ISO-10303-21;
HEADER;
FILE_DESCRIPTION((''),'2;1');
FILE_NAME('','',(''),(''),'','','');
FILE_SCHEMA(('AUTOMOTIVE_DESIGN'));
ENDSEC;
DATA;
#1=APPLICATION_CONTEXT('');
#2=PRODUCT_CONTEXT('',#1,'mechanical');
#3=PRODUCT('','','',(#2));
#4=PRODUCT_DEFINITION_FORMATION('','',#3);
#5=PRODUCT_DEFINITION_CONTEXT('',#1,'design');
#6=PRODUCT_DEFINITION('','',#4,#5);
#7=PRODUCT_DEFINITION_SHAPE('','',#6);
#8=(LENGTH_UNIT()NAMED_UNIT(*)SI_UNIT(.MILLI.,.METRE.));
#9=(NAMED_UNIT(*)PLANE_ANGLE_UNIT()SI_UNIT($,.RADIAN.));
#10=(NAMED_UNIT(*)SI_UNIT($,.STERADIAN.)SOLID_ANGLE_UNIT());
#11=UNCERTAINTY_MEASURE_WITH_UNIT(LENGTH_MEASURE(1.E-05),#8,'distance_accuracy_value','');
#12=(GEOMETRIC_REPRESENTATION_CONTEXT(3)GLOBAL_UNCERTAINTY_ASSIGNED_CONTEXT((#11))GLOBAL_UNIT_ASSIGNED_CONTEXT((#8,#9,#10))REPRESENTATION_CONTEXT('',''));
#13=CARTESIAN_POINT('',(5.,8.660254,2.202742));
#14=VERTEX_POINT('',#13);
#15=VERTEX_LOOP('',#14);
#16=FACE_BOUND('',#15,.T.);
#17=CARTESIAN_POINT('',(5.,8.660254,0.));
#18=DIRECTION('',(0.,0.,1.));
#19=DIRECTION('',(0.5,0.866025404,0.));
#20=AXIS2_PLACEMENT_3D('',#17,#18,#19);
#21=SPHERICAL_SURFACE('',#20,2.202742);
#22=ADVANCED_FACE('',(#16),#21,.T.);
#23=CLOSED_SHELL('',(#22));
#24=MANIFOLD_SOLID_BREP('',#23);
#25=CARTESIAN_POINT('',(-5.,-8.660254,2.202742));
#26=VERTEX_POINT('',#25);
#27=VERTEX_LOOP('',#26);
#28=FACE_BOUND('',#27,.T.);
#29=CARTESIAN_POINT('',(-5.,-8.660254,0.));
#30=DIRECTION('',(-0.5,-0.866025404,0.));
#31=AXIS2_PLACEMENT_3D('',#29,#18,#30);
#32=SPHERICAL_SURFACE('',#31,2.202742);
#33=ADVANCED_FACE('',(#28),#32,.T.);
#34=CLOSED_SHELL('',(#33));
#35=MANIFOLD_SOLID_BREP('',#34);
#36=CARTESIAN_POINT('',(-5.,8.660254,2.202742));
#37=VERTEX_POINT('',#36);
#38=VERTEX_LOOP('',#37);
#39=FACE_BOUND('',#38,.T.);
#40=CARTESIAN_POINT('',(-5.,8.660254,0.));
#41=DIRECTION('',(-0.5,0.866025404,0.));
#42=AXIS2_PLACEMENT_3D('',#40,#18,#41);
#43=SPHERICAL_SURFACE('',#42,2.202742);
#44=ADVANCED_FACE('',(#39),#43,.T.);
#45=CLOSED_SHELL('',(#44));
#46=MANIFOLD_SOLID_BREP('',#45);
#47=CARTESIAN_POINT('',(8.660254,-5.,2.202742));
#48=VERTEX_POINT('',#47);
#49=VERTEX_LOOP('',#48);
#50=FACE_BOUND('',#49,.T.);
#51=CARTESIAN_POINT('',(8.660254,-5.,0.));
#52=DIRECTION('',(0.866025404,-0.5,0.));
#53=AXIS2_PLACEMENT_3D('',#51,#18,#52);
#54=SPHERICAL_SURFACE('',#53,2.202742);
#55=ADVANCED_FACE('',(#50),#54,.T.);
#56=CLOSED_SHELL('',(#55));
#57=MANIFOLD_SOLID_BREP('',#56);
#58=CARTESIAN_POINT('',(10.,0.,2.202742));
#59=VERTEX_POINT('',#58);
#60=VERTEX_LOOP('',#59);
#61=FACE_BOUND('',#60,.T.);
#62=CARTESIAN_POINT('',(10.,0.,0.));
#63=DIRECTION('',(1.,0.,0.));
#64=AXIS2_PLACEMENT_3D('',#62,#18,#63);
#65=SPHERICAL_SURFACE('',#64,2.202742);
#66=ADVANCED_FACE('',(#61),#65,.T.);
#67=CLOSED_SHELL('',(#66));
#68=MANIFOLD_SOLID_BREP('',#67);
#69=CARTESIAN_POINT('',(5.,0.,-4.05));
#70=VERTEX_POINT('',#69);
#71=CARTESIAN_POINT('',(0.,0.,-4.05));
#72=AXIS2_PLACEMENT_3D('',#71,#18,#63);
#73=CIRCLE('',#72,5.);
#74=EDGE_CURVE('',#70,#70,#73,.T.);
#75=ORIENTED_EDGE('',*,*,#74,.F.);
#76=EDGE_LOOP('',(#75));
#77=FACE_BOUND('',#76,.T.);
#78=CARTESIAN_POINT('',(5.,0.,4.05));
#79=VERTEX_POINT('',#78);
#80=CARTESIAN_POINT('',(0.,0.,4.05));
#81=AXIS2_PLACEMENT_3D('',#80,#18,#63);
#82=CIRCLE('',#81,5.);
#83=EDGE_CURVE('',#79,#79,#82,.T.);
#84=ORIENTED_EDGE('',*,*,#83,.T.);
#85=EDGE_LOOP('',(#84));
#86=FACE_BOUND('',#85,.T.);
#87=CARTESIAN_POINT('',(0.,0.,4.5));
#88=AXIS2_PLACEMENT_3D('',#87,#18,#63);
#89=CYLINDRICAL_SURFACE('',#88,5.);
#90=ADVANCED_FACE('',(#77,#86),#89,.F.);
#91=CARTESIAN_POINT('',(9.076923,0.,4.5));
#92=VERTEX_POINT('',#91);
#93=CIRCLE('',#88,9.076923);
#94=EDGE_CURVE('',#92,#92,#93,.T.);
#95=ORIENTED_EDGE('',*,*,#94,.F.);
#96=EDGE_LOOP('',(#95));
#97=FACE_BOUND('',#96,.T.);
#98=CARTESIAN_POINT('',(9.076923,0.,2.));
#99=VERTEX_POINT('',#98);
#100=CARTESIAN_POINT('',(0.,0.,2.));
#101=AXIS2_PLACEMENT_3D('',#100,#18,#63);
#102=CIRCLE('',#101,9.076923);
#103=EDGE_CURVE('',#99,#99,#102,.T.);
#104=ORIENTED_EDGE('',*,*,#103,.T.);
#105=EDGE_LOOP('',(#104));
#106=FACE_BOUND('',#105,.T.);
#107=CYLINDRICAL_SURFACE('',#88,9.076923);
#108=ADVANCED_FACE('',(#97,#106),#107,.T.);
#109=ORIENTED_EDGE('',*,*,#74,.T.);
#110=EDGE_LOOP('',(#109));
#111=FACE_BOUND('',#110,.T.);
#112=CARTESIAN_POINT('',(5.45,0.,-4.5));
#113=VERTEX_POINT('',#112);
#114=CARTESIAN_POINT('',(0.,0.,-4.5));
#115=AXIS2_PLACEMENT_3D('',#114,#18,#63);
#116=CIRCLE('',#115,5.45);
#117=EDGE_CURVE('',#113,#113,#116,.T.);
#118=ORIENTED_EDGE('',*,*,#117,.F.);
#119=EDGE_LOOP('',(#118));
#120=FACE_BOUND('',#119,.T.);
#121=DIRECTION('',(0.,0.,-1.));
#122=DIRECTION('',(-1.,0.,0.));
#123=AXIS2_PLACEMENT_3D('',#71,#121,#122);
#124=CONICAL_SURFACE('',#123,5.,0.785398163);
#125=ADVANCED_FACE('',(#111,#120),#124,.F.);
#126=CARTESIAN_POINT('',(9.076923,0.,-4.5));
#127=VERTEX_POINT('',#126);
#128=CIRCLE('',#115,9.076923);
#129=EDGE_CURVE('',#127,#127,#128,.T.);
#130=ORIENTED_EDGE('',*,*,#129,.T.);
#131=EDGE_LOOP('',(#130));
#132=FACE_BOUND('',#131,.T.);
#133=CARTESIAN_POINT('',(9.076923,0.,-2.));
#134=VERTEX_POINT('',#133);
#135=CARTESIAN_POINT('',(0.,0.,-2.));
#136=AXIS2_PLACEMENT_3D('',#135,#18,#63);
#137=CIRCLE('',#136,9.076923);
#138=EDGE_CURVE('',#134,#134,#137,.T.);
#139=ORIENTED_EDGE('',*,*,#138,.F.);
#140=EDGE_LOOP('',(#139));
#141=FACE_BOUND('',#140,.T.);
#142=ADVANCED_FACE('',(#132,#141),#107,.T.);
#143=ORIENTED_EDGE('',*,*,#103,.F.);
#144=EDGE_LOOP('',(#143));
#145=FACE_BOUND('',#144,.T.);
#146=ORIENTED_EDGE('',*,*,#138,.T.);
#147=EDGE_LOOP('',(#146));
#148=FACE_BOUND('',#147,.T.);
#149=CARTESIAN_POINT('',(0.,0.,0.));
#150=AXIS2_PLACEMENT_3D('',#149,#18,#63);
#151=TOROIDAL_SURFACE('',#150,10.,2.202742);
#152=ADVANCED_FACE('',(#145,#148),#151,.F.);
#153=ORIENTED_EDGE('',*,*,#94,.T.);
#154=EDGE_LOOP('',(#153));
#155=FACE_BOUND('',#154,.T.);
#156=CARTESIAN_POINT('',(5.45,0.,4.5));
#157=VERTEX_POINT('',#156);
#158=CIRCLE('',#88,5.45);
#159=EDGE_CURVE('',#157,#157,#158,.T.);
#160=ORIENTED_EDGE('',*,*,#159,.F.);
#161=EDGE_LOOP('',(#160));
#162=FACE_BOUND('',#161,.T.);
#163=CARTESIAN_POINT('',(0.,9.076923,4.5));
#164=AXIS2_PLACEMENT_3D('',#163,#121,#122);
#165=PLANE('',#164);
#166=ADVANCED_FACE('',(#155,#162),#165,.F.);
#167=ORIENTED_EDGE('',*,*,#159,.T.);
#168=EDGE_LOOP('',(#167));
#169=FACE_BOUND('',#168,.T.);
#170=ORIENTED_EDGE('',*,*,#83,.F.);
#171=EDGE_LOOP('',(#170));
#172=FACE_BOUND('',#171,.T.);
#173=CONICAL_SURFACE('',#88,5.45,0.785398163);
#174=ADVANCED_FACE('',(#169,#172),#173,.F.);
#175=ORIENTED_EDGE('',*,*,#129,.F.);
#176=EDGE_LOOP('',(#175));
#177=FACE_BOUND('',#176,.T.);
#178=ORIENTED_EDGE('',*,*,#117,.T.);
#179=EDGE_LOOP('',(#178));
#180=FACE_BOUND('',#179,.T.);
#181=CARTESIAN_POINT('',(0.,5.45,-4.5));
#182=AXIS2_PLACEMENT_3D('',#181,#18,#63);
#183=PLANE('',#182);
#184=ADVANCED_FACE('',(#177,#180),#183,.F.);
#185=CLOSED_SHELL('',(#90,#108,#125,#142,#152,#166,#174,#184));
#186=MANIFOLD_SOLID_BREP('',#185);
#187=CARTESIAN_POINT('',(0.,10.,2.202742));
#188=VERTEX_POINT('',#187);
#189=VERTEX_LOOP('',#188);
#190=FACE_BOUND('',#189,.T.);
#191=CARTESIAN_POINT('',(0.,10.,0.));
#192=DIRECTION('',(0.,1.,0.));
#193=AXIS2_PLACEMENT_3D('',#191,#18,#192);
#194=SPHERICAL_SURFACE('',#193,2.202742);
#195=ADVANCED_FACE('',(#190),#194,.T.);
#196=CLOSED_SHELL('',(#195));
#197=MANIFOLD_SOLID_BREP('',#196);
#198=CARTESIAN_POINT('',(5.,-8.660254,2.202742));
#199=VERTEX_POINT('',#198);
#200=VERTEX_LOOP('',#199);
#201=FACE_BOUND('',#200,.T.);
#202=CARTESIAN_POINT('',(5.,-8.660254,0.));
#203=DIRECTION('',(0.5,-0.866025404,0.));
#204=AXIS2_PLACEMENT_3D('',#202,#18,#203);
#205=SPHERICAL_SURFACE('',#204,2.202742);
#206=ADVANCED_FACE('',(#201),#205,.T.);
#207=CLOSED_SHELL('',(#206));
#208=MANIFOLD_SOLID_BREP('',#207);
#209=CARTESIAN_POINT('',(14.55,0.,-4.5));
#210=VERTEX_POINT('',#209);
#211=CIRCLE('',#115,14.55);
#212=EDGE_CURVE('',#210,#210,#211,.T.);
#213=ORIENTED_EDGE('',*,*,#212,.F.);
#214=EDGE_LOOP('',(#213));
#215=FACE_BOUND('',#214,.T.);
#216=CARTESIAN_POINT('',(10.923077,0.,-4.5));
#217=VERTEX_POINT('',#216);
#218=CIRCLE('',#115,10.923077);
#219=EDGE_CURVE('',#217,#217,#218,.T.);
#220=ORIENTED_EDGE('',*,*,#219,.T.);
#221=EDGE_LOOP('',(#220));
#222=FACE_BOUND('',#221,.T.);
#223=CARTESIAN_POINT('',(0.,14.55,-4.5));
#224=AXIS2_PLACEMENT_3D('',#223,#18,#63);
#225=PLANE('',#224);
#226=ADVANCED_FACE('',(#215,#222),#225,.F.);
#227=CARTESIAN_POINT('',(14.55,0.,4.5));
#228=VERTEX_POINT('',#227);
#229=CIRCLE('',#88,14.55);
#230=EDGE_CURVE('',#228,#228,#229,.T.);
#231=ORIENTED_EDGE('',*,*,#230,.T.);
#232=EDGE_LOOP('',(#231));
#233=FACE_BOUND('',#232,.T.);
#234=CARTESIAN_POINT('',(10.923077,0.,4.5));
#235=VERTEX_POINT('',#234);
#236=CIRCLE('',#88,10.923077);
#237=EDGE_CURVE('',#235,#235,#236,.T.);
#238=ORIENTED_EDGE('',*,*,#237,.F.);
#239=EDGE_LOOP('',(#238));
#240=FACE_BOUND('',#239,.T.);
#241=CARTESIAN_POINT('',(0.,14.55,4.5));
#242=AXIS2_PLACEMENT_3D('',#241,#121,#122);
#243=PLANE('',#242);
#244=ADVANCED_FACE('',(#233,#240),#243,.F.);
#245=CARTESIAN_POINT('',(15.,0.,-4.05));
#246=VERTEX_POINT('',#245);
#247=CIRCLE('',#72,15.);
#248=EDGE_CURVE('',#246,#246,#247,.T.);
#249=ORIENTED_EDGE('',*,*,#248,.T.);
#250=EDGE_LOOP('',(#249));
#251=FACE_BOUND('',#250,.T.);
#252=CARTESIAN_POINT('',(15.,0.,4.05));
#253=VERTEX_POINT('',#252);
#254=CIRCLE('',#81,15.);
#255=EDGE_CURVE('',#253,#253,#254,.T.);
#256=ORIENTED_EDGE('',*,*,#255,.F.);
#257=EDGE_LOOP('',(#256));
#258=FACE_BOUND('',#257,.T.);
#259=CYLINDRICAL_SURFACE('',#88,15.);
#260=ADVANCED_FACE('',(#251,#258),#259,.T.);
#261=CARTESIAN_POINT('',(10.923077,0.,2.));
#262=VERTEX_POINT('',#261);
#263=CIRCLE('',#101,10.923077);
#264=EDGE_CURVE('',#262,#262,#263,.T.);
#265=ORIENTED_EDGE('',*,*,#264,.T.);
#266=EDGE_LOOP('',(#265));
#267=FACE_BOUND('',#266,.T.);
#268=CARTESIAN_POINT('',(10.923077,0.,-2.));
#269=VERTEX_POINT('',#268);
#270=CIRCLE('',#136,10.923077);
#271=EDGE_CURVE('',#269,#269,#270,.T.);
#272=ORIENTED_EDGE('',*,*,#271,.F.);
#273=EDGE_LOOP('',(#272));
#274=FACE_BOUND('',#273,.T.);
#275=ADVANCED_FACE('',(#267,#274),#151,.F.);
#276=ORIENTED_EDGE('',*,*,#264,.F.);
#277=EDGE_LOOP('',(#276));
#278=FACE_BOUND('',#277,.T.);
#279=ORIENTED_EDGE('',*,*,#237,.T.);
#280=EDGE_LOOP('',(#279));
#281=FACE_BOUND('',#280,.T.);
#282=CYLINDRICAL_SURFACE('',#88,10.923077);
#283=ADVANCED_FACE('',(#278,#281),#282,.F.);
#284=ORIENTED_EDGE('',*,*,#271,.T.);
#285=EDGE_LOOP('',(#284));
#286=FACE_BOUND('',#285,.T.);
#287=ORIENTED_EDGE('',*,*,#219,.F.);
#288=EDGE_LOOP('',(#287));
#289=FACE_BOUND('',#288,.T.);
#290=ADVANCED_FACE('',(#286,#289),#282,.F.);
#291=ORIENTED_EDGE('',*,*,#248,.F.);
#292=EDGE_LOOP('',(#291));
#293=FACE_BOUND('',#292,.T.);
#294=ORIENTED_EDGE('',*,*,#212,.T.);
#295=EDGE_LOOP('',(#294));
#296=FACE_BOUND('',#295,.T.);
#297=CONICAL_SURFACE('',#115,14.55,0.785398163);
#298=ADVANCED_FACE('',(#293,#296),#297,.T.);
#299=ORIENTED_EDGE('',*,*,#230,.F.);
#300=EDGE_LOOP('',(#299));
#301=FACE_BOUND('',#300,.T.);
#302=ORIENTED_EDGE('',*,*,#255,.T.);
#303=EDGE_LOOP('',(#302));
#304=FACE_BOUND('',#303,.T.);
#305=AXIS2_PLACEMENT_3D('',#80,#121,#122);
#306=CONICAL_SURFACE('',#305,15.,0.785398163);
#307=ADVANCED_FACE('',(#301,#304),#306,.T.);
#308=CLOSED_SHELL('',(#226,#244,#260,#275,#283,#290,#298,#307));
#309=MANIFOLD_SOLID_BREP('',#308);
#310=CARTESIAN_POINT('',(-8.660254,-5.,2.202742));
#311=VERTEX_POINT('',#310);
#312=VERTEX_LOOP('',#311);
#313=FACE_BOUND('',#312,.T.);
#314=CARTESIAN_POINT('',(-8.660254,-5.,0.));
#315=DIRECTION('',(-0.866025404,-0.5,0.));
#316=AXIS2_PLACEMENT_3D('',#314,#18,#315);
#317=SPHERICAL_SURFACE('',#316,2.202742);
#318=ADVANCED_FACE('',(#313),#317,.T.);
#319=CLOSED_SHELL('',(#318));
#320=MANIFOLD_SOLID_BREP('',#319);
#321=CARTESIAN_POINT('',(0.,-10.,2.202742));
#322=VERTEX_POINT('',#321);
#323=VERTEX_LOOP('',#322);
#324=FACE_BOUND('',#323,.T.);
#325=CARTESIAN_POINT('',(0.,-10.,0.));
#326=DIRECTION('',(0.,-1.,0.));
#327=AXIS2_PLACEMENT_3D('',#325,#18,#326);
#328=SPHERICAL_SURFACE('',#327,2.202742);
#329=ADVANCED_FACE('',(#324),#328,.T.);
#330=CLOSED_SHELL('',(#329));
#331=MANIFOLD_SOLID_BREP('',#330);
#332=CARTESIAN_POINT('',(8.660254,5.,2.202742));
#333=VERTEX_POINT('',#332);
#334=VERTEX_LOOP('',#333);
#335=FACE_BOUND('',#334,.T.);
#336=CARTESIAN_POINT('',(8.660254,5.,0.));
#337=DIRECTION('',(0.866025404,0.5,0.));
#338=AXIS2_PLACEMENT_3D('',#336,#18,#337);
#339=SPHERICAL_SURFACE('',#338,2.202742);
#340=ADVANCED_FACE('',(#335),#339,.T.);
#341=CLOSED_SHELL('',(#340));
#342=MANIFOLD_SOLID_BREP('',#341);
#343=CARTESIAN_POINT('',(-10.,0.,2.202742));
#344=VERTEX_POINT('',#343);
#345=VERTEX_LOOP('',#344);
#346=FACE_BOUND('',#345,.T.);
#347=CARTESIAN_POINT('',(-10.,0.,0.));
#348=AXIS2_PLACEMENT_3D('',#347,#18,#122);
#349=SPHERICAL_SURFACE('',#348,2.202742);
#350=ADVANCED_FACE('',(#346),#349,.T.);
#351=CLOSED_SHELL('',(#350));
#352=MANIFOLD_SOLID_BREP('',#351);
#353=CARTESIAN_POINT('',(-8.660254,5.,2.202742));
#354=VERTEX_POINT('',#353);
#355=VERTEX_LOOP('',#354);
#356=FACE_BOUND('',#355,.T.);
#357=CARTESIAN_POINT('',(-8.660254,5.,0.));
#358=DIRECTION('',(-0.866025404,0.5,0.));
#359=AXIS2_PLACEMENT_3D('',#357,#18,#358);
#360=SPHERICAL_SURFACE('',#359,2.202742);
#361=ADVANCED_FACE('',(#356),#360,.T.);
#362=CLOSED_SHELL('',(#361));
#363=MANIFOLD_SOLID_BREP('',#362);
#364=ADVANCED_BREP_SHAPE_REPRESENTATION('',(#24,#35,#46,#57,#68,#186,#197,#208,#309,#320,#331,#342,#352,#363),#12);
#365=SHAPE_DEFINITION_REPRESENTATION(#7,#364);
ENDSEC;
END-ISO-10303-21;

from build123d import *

# Parameters (mm, degrees)
CIRPATTERN1_COUNT = 12


with BuildPart() as part:
    # Sketch1 → Revolve1 (revolve)
    with BuildSketch(Plane(origin=(0, 0, 0), x_dir=(0, 0, -1), z_dir=(1, 0, 0))):
        with BuildLine():
            Line((4.05, 15), (-4.05, 15))
            Line((-4.05, 15), (-4.5, 14.55))
            Line((-4.5, 14.55), (-4.5, 10.923076923))
            Line((-4.5, 10.923076923), (-2, 10.923076923))
            ThreePointArc((-2, 10.923076923), (0, 12.202741702), (2, 10.923076923))
            Line((2, 10.923076923), (4.5, 10.923076923))
            Line((4.5, 10.923076923), (4.5, 14.55))
            Line((4.5, 14.55), (4.05, 15))
        make_face()
    revolve(axis=Axis((0, 0, 4.5), (0, 0, -1)))


with BuildPart() as body_2:
    # Sketch3 → Revolve3 (revolve)
    with BuildSketch(Plane(origin=(0, 0, 0), x_dir=(0, 0, -1), z_dir=(1, 0, 0))):
        with BuildLine():
            Line((-4.5, 9.076923077), (-2, 9.076923077))
            ThreePointArc((-2, 9.076923077), (0, 7.797258298), (2, 9.076923077))
            Line((2, 9.076923077), (4.5, 9.076923077))
            Line((4.5, 9.076923077), (4.5, 5.45))
            Line((4.5, 5.45), (4.05, 5))
            Line((4.05, 5), (-4.05, 5))
            Line((-4.05, 5), (-4.5, 5.45))
            Line((-4.5, 5.45), (-4.5, 9.076923077))
        make_face()
    revolve(axis=Axis((0, 0, 4.5), (0, 0, -1)))


with BuildPart() as body_3:
    # Sketch4 → Revolve4 (revolve)
    with BuildSketch(Plane(origin=(0, 0, 0), x_dir=(0, 0, -1), z_dir=(1, 0, 0))):
        with BuildLine():
            Line((-2.202741702, 10), (2.202741702, 10))
            ThreePointArc((2.202741702, 10), (0, 12.202741702), (-2.202741702, 10))
        make_face()
    revolve(axis=Axis((0, 10, 2.202741702), (0, 0, -1)))


with BuildPart() as cirpattern1_1:
    # CirPattern1: pattern copy
    add(body_3.part.rotate(Axis((0, 0, -4.5), (0, 0, 1)), 1 * 360 / CIRPATTERN1_COUNT))


with BuildPart() as cirpattern1_2:
    # CirPattern1: pattern copy
    add(body_3.part.rotate(Axis((0, 0, -4.5), (0, 0, 1)), 2 * 360 / CIRPATTERN1_COUNT))


with BuildPart() as cirpattern1_3:
    # CirPattern1: pattern copy
    add(body_3.part.rotate(Axis((0, 0, -4.5), (0, 0, 1)), 3 * 360 / CIRPATTERN1_COUNT))


with BuildPart() as cirpattern1_4:
    # CirPattern1: pattern copy
    add(body_3.part.rotate(Axis((0, 0, -4.5), (0, 0, 1)), 4 * 360 / CIRPATTERN1_COUNT))


with BuildPart() as cirpattern1_5:
    # CirPattern1: pattern copy
    add(body_3.part.rotate(Axis((0, 0, -4.5), (0, 0, 1)), 5 * 360 / CIRPATTERN1_COUNT))


with BuildPart() as cirpattern1_6:
    # CirPattern1: pattern copy
    add(body_3.part.rotate(Axis((0, 0, -4.5), (0, 0, 1)), 6 * 360 / CIRPATTERN1_COUNT))


with BuildPart() as cirpattern1_7:
    # CirPattern1: pattern copy
    add(body_3.part.rotate(Axis((0, 0, -4.5), (0, 0, 1)), 7 * 360 / CIRPATTERN1_COUNT))


with BuildPart() as cirpattern1_8:
    # CirPattern1: pattern copy
    add(body_3.part.rotate(Axis((0, 0, -4.5), (0, 0, 1)), 8 * 360 / CIRPATTERN1_COUNT))


with BuildPart() as cirpattern1_9:
    # CirPattern1: pattern copy
    add(body_3.part.rotate(Axis((0, 0, -4.5), (0, 0, 1)), 9 * 360 / CIRPATTERN1_COUNT))


with BuildPart() as cirpattern1_10:
    # CirPattern1: pattern copy
    add(body_3.part.rotate(Axis((0, 0, -4.5), (0, 0, 1)), 10 * 360 / CIRPATTERN1_COUNT))


with BuildPart() as cirpattern1_11:
    # CirPattern1: pattern copy
    add(body_3.part.rotate(Axis((0, 0, -4.5), (0, 0, 1)), 11 * 360 / CIRPATTERN1_COUNT))


solid = Compound([part.part, body_2.part, body_3.part, cirpattern1_1.part, cirpattern1_2.part, cirpattern1_3.part, cirpattern1_4.part, cirpattern1_5.part, cirpattern1_6.part, cirpattern1_7.part, cirpattern1_8.part, cirpattern1_9.part, cirpattern1_10.part, cirpattern1_11.part])
